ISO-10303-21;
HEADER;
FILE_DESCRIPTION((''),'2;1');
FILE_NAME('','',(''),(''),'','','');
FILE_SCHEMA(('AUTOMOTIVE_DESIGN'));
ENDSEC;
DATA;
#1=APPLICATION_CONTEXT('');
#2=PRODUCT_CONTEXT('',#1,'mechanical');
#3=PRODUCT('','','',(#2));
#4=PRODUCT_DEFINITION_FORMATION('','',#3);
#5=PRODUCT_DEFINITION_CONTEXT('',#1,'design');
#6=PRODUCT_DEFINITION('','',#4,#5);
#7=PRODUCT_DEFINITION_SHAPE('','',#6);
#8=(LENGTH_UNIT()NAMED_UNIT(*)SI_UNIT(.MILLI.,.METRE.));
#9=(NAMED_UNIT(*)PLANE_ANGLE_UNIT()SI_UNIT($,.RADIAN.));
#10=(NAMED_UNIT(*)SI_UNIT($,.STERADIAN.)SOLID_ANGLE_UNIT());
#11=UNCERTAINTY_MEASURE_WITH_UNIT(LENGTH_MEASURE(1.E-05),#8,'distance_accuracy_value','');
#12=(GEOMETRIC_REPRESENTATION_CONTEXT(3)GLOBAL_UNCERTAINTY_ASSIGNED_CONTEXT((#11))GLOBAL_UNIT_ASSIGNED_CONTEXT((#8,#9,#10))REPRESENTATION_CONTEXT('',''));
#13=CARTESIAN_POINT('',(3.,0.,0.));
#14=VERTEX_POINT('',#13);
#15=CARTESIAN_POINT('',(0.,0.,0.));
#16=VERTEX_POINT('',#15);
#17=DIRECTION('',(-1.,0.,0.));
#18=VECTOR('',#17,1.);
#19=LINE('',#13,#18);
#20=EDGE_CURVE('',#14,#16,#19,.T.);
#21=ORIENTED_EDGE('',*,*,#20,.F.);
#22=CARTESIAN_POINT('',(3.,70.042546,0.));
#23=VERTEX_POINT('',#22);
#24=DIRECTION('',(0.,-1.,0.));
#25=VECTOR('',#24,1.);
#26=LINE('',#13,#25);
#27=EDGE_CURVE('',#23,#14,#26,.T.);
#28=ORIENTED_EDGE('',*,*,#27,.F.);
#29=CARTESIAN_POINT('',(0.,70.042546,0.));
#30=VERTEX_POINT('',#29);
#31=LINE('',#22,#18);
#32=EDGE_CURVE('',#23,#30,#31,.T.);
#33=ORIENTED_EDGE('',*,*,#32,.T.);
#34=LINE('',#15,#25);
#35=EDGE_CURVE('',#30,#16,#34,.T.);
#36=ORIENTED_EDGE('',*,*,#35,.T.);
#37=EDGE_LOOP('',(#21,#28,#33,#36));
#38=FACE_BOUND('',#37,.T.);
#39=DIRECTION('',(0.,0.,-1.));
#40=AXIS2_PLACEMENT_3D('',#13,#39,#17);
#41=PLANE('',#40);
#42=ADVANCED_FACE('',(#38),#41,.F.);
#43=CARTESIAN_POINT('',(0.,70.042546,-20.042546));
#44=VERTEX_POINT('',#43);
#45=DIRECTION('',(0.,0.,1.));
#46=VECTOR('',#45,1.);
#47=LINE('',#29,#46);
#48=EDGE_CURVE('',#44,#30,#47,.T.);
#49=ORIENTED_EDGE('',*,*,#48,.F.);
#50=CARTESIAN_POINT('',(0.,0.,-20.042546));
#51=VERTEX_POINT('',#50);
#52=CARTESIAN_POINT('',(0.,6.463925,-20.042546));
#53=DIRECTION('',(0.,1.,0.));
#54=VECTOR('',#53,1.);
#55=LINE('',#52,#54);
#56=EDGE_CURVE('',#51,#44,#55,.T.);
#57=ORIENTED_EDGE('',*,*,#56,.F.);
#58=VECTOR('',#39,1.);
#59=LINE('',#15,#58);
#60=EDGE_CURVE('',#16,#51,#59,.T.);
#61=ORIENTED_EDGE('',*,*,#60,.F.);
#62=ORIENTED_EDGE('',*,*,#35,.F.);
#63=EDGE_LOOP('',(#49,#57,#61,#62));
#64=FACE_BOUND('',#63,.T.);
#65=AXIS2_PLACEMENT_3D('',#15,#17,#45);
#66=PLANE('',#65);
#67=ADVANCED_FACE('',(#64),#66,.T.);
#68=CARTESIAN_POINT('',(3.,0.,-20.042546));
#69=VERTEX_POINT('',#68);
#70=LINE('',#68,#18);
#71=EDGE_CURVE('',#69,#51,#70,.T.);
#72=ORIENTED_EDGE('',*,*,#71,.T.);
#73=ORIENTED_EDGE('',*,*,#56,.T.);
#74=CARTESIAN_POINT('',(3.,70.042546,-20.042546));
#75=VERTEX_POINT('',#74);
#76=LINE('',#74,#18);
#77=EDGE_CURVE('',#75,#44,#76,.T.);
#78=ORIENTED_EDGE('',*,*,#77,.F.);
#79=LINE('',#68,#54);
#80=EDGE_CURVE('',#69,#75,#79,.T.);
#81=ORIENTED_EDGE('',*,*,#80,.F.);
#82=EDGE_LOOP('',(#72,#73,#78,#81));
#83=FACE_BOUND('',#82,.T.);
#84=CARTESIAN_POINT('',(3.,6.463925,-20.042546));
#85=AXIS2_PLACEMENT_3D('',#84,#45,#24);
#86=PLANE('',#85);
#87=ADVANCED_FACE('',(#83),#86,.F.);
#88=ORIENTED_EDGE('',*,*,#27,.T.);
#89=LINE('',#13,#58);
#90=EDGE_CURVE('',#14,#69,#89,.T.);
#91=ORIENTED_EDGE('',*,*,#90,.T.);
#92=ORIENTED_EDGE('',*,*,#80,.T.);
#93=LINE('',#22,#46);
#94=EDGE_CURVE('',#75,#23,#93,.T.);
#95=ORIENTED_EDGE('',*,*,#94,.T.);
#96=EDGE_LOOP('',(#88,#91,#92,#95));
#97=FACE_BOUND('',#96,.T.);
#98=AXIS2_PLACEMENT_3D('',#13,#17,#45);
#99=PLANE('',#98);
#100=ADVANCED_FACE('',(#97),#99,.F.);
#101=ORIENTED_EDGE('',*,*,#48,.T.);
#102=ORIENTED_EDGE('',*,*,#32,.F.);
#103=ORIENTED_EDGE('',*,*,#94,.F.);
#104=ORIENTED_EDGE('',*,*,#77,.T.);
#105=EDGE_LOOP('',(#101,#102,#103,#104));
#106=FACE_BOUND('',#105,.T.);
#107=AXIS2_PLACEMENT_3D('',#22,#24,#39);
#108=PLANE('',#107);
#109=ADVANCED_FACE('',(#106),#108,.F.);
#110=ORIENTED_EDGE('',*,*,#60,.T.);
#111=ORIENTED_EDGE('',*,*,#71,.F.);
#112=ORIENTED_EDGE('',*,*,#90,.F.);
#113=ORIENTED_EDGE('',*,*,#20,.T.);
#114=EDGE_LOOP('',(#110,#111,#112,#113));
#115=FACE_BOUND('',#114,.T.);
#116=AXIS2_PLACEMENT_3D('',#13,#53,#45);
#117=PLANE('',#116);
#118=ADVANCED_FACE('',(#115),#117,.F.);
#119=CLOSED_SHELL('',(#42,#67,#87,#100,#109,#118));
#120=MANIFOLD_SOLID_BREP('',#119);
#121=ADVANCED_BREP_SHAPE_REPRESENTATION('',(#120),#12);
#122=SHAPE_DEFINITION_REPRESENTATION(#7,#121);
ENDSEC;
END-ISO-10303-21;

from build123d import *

# Parameters (mm, degrees)
BOSS_EXTRUDE1_DEPTH = 3


with BuildPart() as part:
    # Sketch1 → Boss-Extrude1 (new body)
    with BuildSketch(Plane(origin=(0, 0, 0), x_dir=(0, 0, -1), z_dir=(1, 0, 0))):
        Polygon((20.042546164, 0), (20.042546164, 6.463925393), (20.042546164, 70.042546164), (0, 70.042546164), (0, 0), align=None)
    extrude(amount=BOSS_EXTRUDE1_DEPTH)


solid = part.part
